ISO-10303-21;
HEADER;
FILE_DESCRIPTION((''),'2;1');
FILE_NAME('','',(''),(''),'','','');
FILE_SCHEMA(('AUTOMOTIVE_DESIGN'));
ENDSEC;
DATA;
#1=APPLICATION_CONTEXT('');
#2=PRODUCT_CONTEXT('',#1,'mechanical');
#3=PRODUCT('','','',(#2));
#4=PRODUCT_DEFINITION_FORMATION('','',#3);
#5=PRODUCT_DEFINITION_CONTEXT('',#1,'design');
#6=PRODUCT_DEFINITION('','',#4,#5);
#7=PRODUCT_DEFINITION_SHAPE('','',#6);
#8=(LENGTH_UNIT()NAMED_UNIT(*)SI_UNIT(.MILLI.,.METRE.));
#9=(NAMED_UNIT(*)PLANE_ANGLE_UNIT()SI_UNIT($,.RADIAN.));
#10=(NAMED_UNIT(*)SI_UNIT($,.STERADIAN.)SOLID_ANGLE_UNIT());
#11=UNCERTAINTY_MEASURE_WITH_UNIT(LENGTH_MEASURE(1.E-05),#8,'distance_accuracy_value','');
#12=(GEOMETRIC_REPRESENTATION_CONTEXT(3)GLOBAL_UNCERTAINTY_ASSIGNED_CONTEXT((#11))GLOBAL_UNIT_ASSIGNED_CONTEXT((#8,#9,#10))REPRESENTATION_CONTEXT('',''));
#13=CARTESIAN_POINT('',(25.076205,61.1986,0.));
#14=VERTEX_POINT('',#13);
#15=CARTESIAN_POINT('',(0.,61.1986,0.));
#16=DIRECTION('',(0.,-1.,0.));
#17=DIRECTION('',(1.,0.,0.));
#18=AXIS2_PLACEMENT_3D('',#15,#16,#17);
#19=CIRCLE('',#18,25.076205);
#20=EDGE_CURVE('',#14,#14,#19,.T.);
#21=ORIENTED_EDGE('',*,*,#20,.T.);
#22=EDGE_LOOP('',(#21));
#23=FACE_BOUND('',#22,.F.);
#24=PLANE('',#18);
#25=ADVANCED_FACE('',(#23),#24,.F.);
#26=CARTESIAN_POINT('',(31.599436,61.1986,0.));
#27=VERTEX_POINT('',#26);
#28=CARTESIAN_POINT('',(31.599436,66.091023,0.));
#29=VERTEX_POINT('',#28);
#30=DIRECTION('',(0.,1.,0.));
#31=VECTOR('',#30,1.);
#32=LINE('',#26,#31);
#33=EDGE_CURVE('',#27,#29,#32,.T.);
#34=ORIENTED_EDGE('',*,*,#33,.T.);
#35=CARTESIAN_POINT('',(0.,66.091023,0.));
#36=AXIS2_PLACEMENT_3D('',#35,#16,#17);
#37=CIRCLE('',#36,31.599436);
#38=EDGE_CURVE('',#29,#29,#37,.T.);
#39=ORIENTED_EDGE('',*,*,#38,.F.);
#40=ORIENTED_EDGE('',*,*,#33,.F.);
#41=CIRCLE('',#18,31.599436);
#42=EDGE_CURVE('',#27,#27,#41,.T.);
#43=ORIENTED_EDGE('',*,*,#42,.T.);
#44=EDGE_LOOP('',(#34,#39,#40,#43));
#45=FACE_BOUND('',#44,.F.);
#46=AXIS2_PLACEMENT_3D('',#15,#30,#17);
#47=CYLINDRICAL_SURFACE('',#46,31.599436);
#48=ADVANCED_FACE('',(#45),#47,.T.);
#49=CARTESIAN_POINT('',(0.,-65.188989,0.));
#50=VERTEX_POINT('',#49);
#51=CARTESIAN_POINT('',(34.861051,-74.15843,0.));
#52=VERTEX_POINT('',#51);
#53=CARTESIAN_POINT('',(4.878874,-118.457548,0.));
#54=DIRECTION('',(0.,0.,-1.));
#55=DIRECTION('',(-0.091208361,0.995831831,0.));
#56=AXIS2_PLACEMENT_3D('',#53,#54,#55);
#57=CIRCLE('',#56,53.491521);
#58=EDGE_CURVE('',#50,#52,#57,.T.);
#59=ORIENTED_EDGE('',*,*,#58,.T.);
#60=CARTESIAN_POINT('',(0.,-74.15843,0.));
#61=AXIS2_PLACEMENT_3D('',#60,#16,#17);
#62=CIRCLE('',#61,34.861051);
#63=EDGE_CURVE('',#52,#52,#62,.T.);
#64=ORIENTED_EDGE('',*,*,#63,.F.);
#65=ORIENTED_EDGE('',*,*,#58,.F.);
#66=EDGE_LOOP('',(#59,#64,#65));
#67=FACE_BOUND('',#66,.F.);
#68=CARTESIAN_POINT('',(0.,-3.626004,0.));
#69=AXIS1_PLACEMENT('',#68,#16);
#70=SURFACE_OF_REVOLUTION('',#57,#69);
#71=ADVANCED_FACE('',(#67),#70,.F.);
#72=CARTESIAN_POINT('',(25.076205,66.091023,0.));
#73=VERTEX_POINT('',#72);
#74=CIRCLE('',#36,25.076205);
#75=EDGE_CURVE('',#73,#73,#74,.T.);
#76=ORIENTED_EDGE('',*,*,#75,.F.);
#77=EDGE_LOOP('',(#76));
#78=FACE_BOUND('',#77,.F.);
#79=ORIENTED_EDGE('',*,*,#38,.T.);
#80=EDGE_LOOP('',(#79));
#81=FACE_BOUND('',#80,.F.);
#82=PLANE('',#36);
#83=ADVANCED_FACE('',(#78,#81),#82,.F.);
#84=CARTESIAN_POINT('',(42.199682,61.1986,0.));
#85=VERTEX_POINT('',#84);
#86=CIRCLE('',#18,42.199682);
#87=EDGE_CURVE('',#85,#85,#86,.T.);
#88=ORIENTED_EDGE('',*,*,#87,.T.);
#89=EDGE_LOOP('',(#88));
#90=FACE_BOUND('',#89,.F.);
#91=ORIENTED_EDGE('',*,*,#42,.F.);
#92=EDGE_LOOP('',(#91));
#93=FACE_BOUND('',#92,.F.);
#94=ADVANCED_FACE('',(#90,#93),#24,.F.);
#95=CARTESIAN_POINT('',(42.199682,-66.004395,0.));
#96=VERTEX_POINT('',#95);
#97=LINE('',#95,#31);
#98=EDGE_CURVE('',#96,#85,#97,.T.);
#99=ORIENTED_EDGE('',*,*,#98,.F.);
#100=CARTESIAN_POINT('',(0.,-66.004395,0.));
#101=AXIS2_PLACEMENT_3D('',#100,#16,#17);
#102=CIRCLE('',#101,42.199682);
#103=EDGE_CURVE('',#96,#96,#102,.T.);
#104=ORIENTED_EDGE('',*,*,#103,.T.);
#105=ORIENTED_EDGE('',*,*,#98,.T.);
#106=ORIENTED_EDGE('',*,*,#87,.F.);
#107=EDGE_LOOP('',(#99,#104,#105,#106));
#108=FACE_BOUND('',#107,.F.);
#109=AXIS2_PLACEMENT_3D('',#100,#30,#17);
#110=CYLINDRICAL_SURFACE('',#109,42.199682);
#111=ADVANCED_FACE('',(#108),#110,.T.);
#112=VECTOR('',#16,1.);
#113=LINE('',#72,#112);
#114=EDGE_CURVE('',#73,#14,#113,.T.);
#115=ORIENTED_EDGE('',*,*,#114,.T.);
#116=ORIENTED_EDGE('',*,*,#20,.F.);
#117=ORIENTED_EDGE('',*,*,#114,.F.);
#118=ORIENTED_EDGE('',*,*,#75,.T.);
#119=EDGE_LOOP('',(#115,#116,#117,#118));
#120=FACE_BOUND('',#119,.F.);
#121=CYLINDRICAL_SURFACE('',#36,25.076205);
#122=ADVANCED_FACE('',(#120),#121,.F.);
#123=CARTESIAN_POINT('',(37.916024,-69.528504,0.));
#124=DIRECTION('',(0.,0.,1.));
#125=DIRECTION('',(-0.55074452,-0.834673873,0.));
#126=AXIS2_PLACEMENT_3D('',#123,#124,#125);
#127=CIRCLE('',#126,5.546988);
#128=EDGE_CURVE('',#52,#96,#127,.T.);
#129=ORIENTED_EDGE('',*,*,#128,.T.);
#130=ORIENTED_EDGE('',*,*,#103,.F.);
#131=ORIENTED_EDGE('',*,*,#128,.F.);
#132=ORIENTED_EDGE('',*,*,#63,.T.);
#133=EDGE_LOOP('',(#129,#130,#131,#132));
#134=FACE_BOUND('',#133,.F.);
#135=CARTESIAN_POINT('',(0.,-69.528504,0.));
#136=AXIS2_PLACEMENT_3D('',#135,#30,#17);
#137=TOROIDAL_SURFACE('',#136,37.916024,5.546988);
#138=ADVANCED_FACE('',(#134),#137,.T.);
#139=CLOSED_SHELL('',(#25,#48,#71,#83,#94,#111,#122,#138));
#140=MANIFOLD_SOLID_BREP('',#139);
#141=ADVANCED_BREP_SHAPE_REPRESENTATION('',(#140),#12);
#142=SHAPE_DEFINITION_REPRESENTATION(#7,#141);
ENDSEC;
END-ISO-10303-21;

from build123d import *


with BuildPart() as f1:
    # F0 (on Top) → F1 (revolve)
    with BuildSketch(Plane.XY):
        with BuildLine():
            ThreePointArc((0, -65.188989), (18.207665, -66.653242), (34.861051, -74.15843))
            ThreePointArc((34.861051, -74.15843), (42.039067, -73.239244), (42.199682, -66.004395))
            Line((42.199682, -66.004395), (42.199682, 61.1986))
            Line((42.199682, 61.1986), (31.599436, 61.1986))
            Line((31.599436, 61.1986), (31.599436, 66.091023))
            Line((31.599436, 66.091023), (25.076205, 66.091023))
            Line((25.076205, 66.091023), (25.076205, 61.1986))
            Line((25.076205, 61.1986), (0, 61.1986))
            Line((0, 61.1986), (0, -65.188989))
        make_face()
    revolve(axis=Axis((0, -3.626004, 0), (0, -1, 0)))


solid = f1.part
